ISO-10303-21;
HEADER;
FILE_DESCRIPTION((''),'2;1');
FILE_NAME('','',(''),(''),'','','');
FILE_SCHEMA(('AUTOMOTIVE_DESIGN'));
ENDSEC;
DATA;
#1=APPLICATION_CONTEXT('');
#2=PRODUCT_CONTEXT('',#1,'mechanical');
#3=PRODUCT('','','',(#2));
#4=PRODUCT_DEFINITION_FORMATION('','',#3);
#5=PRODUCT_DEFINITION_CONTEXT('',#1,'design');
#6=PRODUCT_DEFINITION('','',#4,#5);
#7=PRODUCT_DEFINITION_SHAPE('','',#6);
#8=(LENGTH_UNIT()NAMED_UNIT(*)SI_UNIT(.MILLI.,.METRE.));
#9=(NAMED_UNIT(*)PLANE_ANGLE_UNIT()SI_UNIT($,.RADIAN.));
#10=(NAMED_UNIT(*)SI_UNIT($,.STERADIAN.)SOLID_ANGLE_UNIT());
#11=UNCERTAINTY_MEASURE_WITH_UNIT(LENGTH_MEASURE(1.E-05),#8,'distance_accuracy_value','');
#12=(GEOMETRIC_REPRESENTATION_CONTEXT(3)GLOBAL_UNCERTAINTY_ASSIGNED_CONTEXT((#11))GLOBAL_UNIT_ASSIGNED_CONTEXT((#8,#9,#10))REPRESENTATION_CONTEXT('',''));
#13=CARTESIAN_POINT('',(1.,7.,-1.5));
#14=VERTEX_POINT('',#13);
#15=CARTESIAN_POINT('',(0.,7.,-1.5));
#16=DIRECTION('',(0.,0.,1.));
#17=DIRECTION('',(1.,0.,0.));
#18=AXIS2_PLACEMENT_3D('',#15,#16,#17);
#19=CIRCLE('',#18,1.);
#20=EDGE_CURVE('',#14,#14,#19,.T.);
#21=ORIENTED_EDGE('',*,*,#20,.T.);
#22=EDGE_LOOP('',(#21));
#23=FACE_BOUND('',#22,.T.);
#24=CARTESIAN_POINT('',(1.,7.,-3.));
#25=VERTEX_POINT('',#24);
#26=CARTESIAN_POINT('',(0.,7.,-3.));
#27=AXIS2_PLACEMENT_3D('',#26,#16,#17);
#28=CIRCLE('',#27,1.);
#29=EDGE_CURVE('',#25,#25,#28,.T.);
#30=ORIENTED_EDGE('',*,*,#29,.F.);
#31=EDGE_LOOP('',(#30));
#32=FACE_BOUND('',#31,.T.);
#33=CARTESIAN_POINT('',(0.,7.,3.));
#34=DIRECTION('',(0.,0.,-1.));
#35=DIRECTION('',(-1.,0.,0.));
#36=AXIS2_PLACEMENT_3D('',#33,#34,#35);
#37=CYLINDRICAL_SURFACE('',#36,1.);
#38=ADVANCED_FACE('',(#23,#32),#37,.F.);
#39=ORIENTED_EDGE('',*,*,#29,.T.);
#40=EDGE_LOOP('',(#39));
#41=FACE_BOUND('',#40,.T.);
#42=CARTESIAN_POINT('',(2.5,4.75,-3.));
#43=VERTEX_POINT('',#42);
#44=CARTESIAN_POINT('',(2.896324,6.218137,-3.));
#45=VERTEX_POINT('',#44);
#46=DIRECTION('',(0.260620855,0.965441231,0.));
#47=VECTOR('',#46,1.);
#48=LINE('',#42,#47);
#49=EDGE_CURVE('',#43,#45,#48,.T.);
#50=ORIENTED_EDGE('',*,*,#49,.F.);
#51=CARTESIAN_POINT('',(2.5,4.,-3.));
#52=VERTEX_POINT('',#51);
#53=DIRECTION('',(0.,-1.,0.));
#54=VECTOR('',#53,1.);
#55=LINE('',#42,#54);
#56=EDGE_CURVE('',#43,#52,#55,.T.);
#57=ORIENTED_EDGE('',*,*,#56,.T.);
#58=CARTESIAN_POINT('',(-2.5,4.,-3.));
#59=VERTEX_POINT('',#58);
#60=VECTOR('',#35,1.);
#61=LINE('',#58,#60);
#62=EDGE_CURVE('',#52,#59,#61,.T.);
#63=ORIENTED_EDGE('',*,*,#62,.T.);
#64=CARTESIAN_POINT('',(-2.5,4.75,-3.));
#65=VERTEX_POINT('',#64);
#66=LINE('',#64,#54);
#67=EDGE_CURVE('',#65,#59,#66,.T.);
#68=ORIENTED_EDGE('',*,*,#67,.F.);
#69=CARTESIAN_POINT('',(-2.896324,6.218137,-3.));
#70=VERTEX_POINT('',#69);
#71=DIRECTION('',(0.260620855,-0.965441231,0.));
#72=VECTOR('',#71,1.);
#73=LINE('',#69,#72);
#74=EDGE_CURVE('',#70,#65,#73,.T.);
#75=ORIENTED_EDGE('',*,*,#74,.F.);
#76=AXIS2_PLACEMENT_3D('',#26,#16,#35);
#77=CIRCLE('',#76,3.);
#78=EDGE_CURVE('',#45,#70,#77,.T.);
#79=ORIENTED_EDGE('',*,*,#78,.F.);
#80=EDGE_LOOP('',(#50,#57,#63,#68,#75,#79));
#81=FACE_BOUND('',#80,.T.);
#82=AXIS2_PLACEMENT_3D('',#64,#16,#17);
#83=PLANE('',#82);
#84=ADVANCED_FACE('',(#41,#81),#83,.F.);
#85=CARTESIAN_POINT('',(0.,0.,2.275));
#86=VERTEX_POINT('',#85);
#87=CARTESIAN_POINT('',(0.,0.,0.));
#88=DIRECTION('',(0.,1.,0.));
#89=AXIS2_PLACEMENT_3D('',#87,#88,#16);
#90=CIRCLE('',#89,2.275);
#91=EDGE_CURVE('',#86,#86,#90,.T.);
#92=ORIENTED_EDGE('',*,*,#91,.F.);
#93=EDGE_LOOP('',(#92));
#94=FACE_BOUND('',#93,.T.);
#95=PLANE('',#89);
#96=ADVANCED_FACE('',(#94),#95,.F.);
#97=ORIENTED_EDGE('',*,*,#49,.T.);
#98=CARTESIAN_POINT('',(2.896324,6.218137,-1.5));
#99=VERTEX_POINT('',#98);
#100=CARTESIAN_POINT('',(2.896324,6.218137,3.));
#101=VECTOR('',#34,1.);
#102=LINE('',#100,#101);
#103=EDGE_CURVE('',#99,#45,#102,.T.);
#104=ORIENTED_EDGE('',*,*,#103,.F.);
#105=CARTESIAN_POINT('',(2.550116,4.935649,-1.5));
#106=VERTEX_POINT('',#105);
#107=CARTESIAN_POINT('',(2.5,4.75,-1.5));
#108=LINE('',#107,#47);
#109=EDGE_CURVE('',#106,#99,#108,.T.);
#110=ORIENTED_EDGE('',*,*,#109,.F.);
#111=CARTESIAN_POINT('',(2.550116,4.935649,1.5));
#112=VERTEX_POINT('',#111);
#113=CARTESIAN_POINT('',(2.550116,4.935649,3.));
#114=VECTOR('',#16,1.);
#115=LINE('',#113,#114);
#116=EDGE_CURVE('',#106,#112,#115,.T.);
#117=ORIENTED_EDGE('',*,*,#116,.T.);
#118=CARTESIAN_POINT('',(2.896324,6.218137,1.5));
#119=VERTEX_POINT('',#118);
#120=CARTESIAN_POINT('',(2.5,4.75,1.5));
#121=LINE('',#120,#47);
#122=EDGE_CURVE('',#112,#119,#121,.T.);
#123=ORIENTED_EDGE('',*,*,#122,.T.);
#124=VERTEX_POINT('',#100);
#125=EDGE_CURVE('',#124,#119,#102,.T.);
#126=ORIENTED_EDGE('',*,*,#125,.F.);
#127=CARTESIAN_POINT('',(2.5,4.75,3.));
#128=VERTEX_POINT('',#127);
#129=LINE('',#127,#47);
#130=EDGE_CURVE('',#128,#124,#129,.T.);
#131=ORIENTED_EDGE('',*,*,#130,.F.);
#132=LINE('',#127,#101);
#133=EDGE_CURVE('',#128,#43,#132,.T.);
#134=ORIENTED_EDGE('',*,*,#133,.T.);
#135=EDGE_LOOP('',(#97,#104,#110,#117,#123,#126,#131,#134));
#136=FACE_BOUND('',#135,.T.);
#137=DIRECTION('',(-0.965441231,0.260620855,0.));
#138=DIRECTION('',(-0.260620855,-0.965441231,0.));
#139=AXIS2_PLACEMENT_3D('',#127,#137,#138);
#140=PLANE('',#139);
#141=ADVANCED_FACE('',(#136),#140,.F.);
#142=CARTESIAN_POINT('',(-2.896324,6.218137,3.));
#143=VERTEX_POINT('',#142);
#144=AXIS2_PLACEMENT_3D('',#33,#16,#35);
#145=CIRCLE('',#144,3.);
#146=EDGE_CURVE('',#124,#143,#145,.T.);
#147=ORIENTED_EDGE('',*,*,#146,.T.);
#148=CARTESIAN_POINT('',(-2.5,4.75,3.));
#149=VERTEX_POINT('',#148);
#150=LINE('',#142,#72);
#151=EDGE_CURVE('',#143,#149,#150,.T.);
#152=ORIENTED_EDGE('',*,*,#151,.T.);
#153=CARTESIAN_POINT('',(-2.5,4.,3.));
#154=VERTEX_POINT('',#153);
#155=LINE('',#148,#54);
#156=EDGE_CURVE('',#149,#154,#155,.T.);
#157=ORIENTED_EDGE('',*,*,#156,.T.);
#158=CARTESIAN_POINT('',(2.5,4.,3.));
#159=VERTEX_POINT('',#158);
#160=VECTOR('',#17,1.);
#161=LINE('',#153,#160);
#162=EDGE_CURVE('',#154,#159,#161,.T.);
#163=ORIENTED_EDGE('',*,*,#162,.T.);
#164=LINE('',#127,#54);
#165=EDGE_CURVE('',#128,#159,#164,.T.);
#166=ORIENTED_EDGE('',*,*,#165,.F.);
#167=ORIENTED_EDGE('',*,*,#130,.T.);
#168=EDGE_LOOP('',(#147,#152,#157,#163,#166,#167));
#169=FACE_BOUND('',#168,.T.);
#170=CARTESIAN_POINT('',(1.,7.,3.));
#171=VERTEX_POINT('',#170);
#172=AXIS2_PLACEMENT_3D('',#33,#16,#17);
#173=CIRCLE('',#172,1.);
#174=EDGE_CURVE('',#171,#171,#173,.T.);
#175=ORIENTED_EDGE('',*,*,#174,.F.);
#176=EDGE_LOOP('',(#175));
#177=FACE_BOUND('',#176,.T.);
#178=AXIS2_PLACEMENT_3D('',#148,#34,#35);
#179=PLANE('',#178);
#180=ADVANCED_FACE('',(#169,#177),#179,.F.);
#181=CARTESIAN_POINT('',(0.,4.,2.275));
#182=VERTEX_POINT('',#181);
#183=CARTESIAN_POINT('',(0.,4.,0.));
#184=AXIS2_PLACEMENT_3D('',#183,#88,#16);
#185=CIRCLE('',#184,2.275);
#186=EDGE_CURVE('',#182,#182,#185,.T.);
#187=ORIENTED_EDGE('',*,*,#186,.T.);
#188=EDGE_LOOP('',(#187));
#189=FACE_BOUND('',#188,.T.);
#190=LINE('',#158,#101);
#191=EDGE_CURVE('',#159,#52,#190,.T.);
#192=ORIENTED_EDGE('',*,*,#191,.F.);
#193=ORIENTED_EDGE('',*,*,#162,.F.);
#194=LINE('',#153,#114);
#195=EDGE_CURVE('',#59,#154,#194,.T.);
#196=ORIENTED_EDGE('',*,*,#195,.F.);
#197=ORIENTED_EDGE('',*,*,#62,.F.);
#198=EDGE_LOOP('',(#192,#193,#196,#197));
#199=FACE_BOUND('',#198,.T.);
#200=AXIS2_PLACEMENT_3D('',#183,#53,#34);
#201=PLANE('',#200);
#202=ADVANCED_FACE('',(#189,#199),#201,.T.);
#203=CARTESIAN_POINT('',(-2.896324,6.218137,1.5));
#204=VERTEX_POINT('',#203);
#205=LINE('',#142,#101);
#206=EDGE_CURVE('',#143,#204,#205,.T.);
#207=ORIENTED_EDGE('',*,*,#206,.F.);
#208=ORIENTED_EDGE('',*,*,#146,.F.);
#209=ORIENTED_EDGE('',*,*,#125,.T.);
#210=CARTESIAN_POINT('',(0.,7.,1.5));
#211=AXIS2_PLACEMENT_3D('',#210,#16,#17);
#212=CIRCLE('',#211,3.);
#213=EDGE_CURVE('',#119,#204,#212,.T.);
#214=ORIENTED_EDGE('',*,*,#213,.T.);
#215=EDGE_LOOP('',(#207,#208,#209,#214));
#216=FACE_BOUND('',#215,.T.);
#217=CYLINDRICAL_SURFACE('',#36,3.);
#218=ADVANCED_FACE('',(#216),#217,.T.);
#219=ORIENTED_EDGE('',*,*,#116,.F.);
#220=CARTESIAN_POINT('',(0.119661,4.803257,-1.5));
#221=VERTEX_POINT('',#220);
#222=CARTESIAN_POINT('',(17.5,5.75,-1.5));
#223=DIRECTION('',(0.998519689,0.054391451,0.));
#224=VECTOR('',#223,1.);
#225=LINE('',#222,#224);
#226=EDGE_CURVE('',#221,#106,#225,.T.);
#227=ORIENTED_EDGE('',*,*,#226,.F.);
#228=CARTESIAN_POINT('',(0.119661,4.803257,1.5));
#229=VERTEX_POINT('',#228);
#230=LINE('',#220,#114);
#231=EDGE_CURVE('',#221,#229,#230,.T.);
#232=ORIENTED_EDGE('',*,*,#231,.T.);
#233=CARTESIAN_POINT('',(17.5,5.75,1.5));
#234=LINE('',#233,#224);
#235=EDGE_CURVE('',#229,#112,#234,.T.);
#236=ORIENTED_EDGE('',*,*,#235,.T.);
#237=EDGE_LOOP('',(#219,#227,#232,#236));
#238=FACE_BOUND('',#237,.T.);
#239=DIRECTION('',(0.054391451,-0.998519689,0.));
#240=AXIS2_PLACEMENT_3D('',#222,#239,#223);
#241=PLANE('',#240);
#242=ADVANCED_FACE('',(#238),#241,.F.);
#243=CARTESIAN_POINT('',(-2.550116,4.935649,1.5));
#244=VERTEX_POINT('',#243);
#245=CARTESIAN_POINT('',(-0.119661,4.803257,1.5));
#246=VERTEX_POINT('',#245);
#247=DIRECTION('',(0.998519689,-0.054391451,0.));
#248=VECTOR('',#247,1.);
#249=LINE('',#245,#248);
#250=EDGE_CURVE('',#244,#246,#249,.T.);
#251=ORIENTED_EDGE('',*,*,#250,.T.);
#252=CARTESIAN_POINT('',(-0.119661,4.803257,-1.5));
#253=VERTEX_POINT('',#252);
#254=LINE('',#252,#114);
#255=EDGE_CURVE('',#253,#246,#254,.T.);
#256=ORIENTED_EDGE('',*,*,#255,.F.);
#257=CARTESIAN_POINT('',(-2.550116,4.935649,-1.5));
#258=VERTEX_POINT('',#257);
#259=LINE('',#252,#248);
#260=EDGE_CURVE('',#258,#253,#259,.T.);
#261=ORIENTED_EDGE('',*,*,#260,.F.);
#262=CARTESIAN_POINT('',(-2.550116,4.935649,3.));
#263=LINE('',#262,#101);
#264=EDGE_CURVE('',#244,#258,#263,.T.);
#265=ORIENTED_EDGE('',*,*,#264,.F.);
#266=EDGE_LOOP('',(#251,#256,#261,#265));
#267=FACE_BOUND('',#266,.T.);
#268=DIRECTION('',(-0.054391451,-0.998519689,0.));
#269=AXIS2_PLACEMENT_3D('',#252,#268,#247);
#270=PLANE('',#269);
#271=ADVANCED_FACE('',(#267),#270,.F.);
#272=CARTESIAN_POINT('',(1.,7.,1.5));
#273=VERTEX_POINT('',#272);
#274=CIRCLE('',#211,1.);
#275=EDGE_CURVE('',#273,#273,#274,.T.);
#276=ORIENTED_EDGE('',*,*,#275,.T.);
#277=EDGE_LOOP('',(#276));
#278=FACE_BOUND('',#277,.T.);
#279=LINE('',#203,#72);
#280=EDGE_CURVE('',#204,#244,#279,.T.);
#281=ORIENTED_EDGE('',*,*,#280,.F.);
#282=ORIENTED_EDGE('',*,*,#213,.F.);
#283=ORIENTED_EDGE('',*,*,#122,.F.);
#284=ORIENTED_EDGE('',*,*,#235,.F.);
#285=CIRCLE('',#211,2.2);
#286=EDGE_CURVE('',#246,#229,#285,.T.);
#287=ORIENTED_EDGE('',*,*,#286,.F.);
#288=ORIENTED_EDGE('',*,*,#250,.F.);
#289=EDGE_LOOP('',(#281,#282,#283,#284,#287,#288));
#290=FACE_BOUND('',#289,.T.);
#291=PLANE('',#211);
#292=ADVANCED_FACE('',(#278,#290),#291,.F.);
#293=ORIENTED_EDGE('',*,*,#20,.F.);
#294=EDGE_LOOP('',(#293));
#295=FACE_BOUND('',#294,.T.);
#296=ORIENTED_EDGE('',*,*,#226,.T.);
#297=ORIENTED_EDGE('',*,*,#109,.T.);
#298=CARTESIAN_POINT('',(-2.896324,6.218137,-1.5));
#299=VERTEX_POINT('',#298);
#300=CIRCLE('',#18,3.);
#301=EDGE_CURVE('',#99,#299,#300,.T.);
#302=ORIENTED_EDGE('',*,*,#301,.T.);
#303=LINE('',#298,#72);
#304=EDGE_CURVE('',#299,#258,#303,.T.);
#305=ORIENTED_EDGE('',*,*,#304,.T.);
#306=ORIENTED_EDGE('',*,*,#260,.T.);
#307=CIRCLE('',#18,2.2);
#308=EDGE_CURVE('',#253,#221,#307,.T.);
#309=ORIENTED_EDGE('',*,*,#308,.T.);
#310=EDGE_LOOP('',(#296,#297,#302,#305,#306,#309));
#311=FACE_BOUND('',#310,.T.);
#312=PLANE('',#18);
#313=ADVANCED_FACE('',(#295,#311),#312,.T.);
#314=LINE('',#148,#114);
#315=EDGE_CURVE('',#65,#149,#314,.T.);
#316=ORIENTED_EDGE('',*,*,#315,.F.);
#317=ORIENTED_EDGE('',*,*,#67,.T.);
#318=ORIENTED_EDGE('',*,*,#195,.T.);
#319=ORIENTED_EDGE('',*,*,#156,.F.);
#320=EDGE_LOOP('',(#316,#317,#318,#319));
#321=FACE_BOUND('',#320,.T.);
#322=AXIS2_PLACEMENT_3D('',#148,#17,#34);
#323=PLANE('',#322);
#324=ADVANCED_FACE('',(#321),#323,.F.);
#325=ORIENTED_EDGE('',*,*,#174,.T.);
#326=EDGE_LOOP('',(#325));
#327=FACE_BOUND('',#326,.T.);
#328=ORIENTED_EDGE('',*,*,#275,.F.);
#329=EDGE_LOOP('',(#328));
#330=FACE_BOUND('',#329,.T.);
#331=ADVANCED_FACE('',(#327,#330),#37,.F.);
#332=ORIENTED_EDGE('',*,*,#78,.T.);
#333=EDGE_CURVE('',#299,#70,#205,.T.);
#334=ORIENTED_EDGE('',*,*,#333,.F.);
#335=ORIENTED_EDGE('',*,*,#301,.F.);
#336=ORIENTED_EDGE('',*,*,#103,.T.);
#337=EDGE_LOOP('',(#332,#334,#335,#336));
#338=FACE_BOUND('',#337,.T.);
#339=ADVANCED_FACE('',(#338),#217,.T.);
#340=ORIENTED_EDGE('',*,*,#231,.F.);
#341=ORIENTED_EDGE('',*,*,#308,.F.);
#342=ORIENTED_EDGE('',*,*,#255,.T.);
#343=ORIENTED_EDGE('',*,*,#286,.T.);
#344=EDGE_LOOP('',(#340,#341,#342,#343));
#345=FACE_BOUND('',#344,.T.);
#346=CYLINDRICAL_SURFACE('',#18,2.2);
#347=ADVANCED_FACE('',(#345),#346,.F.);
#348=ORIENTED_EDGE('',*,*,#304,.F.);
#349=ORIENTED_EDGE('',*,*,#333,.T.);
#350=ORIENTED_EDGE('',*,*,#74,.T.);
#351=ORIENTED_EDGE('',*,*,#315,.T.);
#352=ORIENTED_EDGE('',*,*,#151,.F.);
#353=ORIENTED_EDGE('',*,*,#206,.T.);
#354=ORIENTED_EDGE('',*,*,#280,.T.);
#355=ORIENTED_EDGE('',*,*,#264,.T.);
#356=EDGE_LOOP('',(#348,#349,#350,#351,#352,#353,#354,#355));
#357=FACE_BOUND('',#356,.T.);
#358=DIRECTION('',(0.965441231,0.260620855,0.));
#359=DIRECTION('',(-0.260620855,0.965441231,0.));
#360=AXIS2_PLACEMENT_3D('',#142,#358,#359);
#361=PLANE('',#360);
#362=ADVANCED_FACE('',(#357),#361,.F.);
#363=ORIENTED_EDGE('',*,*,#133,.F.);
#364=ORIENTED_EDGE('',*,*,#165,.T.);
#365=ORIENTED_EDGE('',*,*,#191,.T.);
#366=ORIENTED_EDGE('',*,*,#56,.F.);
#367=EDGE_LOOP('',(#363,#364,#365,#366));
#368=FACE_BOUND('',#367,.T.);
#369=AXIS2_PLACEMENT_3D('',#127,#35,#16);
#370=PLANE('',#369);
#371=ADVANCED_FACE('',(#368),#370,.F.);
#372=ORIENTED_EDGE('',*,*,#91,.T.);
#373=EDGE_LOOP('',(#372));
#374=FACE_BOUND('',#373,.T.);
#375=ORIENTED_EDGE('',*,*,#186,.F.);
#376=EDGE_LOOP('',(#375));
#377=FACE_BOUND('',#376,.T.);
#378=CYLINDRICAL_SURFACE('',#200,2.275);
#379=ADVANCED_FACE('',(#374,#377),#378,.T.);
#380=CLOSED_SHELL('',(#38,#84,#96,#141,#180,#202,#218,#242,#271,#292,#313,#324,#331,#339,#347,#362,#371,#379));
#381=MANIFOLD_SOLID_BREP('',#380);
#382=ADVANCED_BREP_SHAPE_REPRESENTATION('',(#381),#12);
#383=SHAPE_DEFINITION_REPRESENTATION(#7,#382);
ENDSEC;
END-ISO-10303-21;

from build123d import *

# Parameters (mm, degrees)
SKETCH8_R           = 2.275
BOSS_EXTRUDE4_DEPTH = 4
SKETCH9_W           = 5
SKETCH9_H           = 6
BOSS_EXTRUDE5_DEPTH = 0.75
SKETCH10_R          = 1
BOSS_EXTRUDE6_DEPTH = 3
CUT_EXTRUDE2_DEPTH  = 1.5


with BuildPart() as part:
    # Sketch8 → Boss-Extrude4 (new body)
    with BuildSketch(Plane(origin=(0, 0, 0), x_dir=(1, 0, 0), z_dir=(0, 1, 0))):
        Circle(SKETCH8_R)
    extrude(amount=BOSS_EXTRUDE4_DEPTH)

    # Sketch9 → Boss-Extrude5 (add)
    with BuildSketch(Plane(origin=(0, 4, 0), x_dir=(1, 0, 0), z_dir=(0, 1, 0))):
        Rectangle(SKETCH9_W, SKETCH9_H)
    extrude(amount=BOSS_EXTRUDE5_DEPTH)

    # Sketch10 → Boss-Extrude6 (add, symmetric)
    with BuildSketch(Plane.XY):
        with BuildLine():
            Line((-2.896323692, 6.218137436), (-2.5, 4.75))
            Line((-2.5, 4.75), (2.5, 4.75))
            Line((2.5, 4.75), (2.896323692, 6.218137436))
            ThreePointArc((2.896323692, 6.218137436), (0, 10), (-2.896323692, 6.218137436))
        make_face()
        with Locations((0, 7)):
            Circle(SKETCH10_R, mode=Mode.SUBTRACT)
    extrude(amount=BOSS_EXTRUDE6_DEPTH, both=True)

    # Sketch11 → Cut-Extrude2 (cut, symmetric)
    with BuildSketch(Plane.XY):
        with BuildLine():
            Line((-0.119661192, 4.803256683), (-17.5, 5.75))
            Line((-17.5, 5.75), (-17.5, 11.234268724))
            Line((-17.5, 11.234268724), (17.5, 11.234268724))
            Line((17.5, 11.234268724), (17.5, 5.75))
            Line((17.5, 5.75), (0.119661192, 4.803256683))
            ThreePointArc((0.119661192, 4.803256683), (0, 4.8), (-0.119661192, 4.803256683))
        make_face()
    extrude(amount=CUT_EXTRUDE2_DEPTH, both=True, mode=Mode.SUBTRACT)


solid = part.part
